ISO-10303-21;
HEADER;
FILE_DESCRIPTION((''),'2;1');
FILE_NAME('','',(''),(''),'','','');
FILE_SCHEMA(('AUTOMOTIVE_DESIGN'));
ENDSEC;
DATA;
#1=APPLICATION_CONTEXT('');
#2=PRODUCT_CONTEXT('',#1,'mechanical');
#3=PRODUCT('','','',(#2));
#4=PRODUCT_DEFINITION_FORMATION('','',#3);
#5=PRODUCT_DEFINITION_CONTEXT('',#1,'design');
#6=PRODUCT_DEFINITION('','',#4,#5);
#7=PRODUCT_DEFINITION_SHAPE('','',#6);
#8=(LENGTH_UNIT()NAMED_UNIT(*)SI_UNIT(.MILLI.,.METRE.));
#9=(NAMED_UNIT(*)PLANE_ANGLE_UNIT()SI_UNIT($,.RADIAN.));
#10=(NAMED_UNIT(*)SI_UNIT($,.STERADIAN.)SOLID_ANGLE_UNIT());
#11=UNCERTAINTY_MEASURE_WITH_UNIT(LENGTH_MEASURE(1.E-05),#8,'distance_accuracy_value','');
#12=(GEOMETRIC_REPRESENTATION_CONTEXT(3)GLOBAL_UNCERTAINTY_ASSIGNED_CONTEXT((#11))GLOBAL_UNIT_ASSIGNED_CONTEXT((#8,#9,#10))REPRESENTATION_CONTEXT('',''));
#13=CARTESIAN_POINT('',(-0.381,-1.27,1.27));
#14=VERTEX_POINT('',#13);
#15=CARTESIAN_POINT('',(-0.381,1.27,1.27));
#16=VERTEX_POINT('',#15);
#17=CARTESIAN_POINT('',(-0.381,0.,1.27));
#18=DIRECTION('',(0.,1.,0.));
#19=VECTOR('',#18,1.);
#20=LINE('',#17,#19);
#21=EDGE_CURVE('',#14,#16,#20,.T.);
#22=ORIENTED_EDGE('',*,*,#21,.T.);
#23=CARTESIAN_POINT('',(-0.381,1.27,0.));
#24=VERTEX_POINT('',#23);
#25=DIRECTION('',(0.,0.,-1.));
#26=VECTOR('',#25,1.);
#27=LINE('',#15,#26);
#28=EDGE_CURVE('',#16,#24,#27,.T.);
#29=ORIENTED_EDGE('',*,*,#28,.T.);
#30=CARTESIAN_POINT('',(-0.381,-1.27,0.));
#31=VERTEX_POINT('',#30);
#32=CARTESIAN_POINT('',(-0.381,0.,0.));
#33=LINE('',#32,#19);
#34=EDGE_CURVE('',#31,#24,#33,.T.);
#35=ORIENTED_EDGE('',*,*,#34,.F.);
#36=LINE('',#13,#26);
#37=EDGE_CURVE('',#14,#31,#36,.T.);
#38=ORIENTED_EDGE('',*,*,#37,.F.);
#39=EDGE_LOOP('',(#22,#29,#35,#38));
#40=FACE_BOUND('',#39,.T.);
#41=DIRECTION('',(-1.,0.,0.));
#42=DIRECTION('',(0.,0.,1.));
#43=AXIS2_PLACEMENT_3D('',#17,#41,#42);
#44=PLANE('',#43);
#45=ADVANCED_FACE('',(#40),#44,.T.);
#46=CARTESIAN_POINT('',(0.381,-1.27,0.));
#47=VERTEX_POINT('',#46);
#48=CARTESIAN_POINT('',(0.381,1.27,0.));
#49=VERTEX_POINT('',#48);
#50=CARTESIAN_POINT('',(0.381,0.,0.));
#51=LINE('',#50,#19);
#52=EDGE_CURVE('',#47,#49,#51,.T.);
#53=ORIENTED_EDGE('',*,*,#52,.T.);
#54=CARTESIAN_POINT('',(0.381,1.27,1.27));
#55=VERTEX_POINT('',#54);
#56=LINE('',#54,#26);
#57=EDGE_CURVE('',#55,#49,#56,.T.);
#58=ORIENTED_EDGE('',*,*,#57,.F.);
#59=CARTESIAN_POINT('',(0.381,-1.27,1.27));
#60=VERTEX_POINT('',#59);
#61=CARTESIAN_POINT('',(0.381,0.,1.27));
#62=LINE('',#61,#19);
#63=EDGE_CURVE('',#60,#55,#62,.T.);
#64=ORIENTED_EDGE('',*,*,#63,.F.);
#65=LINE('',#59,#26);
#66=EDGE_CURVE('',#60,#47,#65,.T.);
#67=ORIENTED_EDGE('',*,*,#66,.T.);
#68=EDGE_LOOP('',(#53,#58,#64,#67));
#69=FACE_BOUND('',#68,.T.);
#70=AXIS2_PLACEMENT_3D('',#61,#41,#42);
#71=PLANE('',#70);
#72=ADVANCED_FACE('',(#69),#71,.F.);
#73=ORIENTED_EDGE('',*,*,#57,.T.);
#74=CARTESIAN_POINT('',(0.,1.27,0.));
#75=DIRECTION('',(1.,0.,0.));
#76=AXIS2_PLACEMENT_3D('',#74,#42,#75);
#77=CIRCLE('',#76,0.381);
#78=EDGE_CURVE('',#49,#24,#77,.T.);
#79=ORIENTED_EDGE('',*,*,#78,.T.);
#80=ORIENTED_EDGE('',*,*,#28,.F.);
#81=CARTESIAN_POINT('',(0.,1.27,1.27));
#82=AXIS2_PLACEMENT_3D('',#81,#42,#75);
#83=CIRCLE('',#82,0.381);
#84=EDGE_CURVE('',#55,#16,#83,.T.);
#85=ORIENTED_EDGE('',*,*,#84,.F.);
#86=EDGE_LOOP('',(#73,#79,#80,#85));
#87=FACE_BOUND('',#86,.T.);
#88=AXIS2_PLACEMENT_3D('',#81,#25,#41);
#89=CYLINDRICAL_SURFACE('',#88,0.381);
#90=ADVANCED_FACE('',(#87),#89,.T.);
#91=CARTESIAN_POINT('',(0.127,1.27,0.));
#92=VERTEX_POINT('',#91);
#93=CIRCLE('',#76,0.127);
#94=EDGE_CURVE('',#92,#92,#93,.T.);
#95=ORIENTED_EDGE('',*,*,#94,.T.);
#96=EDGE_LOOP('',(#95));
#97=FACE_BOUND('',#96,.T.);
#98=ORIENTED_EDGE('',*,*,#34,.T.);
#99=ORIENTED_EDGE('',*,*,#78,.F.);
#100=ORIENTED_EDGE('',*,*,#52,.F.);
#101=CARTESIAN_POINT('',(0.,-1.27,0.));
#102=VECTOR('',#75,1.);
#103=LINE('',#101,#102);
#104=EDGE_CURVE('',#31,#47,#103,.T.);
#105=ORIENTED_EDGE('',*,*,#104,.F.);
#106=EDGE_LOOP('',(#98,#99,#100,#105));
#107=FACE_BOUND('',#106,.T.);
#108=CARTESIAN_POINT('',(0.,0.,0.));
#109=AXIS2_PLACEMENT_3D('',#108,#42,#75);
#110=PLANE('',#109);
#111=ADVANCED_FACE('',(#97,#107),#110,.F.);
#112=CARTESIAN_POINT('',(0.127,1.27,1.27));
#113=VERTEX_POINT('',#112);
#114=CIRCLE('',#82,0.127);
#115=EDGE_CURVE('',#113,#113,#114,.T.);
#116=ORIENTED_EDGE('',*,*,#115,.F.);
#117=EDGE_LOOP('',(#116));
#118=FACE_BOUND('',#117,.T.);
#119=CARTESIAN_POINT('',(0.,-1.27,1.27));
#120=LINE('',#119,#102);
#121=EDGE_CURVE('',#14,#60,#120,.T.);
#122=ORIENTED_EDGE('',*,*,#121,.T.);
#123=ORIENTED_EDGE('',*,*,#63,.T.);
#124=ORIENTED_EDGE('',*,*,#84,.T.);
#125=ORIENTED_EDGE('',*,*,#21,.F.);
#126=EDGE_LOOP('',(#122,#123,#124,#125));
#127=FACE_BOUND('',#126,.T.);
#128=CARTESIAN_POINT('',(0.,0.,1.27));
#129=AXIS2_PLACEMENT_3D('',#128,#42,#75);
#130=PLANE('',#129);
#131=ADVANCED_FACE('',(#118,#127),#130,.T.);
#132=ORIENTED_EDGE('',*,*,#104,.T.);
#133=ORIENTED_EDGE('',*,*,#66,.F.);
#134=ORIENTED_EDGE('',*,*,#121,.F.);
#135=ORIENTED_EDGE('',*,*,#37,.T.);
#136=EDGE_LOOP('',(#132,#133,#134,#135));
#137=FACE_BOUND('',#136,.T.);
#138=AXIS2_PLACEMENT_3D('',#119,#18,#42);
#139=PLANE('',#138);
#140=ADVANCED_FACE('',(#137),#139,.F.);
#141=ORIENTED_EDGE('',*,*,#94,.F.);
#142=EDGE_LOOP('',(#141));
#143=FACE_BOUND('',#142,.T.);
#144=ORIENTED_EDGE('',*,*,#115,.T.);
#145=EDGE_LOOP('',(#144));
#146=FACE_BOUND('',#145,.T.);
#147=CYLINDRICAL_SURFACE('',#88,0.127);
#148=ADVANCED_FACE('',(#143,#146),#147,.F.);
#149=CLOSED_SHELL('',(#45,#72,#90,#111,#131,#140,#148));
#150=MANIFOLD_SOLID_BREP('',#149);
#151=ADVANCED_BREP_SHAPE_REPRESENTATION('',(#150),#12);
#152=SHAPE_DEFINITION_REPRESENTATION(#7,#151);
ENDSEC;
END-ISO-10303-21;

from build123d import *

# Parameters (mm, degrees)
BOSS_EXTRUDE1_DEPTH = 1.27


with BuildPart() as part:
    # Sketch2 → Boss-Extrude1 (new body)
    with BuildSketch(Plane.XY):
        with BuildLine():
            ThreePointArc((0.381, 1.27), (0, 1.651), (-0.381, 1.27))
            Line((-0.381, 1.27), (-0.127, 1.27))
            ThreePointArc((-0.127, 1.27), (0, 1.397), (0.127, 1.27))
            Line((0.127, 1.27), (0.381, 1.27))
        make_face()
        with BuildLine():
            Line((-0.127, 1.27), (-0.381, 1.27))
            ThreePointArc((-0.381, 1.27), (0, 0.889), (0.381, 1.27))
            Line((0.381, 1.27), (0.127, 1.27))
            ThreePointArc((0.127, 1.27), (0, 1.143), (-0.127, 1.27))
        make_face()
        with BuildLine():
            Line((-0.381, 1.27), (-0.381, -1.27))
            Line((-0.381, -1.27), (0.381, -1.27))
            Line((0.381, -1.27), (0.381, 1.27))
            ThreePointArc((0.381, 1.27), (0, 0.889), (-0.381, 1.27))
        make_face()
    extrude(amount=BOSS_EXTRUDE1_DEPTH)


solid = part.part
